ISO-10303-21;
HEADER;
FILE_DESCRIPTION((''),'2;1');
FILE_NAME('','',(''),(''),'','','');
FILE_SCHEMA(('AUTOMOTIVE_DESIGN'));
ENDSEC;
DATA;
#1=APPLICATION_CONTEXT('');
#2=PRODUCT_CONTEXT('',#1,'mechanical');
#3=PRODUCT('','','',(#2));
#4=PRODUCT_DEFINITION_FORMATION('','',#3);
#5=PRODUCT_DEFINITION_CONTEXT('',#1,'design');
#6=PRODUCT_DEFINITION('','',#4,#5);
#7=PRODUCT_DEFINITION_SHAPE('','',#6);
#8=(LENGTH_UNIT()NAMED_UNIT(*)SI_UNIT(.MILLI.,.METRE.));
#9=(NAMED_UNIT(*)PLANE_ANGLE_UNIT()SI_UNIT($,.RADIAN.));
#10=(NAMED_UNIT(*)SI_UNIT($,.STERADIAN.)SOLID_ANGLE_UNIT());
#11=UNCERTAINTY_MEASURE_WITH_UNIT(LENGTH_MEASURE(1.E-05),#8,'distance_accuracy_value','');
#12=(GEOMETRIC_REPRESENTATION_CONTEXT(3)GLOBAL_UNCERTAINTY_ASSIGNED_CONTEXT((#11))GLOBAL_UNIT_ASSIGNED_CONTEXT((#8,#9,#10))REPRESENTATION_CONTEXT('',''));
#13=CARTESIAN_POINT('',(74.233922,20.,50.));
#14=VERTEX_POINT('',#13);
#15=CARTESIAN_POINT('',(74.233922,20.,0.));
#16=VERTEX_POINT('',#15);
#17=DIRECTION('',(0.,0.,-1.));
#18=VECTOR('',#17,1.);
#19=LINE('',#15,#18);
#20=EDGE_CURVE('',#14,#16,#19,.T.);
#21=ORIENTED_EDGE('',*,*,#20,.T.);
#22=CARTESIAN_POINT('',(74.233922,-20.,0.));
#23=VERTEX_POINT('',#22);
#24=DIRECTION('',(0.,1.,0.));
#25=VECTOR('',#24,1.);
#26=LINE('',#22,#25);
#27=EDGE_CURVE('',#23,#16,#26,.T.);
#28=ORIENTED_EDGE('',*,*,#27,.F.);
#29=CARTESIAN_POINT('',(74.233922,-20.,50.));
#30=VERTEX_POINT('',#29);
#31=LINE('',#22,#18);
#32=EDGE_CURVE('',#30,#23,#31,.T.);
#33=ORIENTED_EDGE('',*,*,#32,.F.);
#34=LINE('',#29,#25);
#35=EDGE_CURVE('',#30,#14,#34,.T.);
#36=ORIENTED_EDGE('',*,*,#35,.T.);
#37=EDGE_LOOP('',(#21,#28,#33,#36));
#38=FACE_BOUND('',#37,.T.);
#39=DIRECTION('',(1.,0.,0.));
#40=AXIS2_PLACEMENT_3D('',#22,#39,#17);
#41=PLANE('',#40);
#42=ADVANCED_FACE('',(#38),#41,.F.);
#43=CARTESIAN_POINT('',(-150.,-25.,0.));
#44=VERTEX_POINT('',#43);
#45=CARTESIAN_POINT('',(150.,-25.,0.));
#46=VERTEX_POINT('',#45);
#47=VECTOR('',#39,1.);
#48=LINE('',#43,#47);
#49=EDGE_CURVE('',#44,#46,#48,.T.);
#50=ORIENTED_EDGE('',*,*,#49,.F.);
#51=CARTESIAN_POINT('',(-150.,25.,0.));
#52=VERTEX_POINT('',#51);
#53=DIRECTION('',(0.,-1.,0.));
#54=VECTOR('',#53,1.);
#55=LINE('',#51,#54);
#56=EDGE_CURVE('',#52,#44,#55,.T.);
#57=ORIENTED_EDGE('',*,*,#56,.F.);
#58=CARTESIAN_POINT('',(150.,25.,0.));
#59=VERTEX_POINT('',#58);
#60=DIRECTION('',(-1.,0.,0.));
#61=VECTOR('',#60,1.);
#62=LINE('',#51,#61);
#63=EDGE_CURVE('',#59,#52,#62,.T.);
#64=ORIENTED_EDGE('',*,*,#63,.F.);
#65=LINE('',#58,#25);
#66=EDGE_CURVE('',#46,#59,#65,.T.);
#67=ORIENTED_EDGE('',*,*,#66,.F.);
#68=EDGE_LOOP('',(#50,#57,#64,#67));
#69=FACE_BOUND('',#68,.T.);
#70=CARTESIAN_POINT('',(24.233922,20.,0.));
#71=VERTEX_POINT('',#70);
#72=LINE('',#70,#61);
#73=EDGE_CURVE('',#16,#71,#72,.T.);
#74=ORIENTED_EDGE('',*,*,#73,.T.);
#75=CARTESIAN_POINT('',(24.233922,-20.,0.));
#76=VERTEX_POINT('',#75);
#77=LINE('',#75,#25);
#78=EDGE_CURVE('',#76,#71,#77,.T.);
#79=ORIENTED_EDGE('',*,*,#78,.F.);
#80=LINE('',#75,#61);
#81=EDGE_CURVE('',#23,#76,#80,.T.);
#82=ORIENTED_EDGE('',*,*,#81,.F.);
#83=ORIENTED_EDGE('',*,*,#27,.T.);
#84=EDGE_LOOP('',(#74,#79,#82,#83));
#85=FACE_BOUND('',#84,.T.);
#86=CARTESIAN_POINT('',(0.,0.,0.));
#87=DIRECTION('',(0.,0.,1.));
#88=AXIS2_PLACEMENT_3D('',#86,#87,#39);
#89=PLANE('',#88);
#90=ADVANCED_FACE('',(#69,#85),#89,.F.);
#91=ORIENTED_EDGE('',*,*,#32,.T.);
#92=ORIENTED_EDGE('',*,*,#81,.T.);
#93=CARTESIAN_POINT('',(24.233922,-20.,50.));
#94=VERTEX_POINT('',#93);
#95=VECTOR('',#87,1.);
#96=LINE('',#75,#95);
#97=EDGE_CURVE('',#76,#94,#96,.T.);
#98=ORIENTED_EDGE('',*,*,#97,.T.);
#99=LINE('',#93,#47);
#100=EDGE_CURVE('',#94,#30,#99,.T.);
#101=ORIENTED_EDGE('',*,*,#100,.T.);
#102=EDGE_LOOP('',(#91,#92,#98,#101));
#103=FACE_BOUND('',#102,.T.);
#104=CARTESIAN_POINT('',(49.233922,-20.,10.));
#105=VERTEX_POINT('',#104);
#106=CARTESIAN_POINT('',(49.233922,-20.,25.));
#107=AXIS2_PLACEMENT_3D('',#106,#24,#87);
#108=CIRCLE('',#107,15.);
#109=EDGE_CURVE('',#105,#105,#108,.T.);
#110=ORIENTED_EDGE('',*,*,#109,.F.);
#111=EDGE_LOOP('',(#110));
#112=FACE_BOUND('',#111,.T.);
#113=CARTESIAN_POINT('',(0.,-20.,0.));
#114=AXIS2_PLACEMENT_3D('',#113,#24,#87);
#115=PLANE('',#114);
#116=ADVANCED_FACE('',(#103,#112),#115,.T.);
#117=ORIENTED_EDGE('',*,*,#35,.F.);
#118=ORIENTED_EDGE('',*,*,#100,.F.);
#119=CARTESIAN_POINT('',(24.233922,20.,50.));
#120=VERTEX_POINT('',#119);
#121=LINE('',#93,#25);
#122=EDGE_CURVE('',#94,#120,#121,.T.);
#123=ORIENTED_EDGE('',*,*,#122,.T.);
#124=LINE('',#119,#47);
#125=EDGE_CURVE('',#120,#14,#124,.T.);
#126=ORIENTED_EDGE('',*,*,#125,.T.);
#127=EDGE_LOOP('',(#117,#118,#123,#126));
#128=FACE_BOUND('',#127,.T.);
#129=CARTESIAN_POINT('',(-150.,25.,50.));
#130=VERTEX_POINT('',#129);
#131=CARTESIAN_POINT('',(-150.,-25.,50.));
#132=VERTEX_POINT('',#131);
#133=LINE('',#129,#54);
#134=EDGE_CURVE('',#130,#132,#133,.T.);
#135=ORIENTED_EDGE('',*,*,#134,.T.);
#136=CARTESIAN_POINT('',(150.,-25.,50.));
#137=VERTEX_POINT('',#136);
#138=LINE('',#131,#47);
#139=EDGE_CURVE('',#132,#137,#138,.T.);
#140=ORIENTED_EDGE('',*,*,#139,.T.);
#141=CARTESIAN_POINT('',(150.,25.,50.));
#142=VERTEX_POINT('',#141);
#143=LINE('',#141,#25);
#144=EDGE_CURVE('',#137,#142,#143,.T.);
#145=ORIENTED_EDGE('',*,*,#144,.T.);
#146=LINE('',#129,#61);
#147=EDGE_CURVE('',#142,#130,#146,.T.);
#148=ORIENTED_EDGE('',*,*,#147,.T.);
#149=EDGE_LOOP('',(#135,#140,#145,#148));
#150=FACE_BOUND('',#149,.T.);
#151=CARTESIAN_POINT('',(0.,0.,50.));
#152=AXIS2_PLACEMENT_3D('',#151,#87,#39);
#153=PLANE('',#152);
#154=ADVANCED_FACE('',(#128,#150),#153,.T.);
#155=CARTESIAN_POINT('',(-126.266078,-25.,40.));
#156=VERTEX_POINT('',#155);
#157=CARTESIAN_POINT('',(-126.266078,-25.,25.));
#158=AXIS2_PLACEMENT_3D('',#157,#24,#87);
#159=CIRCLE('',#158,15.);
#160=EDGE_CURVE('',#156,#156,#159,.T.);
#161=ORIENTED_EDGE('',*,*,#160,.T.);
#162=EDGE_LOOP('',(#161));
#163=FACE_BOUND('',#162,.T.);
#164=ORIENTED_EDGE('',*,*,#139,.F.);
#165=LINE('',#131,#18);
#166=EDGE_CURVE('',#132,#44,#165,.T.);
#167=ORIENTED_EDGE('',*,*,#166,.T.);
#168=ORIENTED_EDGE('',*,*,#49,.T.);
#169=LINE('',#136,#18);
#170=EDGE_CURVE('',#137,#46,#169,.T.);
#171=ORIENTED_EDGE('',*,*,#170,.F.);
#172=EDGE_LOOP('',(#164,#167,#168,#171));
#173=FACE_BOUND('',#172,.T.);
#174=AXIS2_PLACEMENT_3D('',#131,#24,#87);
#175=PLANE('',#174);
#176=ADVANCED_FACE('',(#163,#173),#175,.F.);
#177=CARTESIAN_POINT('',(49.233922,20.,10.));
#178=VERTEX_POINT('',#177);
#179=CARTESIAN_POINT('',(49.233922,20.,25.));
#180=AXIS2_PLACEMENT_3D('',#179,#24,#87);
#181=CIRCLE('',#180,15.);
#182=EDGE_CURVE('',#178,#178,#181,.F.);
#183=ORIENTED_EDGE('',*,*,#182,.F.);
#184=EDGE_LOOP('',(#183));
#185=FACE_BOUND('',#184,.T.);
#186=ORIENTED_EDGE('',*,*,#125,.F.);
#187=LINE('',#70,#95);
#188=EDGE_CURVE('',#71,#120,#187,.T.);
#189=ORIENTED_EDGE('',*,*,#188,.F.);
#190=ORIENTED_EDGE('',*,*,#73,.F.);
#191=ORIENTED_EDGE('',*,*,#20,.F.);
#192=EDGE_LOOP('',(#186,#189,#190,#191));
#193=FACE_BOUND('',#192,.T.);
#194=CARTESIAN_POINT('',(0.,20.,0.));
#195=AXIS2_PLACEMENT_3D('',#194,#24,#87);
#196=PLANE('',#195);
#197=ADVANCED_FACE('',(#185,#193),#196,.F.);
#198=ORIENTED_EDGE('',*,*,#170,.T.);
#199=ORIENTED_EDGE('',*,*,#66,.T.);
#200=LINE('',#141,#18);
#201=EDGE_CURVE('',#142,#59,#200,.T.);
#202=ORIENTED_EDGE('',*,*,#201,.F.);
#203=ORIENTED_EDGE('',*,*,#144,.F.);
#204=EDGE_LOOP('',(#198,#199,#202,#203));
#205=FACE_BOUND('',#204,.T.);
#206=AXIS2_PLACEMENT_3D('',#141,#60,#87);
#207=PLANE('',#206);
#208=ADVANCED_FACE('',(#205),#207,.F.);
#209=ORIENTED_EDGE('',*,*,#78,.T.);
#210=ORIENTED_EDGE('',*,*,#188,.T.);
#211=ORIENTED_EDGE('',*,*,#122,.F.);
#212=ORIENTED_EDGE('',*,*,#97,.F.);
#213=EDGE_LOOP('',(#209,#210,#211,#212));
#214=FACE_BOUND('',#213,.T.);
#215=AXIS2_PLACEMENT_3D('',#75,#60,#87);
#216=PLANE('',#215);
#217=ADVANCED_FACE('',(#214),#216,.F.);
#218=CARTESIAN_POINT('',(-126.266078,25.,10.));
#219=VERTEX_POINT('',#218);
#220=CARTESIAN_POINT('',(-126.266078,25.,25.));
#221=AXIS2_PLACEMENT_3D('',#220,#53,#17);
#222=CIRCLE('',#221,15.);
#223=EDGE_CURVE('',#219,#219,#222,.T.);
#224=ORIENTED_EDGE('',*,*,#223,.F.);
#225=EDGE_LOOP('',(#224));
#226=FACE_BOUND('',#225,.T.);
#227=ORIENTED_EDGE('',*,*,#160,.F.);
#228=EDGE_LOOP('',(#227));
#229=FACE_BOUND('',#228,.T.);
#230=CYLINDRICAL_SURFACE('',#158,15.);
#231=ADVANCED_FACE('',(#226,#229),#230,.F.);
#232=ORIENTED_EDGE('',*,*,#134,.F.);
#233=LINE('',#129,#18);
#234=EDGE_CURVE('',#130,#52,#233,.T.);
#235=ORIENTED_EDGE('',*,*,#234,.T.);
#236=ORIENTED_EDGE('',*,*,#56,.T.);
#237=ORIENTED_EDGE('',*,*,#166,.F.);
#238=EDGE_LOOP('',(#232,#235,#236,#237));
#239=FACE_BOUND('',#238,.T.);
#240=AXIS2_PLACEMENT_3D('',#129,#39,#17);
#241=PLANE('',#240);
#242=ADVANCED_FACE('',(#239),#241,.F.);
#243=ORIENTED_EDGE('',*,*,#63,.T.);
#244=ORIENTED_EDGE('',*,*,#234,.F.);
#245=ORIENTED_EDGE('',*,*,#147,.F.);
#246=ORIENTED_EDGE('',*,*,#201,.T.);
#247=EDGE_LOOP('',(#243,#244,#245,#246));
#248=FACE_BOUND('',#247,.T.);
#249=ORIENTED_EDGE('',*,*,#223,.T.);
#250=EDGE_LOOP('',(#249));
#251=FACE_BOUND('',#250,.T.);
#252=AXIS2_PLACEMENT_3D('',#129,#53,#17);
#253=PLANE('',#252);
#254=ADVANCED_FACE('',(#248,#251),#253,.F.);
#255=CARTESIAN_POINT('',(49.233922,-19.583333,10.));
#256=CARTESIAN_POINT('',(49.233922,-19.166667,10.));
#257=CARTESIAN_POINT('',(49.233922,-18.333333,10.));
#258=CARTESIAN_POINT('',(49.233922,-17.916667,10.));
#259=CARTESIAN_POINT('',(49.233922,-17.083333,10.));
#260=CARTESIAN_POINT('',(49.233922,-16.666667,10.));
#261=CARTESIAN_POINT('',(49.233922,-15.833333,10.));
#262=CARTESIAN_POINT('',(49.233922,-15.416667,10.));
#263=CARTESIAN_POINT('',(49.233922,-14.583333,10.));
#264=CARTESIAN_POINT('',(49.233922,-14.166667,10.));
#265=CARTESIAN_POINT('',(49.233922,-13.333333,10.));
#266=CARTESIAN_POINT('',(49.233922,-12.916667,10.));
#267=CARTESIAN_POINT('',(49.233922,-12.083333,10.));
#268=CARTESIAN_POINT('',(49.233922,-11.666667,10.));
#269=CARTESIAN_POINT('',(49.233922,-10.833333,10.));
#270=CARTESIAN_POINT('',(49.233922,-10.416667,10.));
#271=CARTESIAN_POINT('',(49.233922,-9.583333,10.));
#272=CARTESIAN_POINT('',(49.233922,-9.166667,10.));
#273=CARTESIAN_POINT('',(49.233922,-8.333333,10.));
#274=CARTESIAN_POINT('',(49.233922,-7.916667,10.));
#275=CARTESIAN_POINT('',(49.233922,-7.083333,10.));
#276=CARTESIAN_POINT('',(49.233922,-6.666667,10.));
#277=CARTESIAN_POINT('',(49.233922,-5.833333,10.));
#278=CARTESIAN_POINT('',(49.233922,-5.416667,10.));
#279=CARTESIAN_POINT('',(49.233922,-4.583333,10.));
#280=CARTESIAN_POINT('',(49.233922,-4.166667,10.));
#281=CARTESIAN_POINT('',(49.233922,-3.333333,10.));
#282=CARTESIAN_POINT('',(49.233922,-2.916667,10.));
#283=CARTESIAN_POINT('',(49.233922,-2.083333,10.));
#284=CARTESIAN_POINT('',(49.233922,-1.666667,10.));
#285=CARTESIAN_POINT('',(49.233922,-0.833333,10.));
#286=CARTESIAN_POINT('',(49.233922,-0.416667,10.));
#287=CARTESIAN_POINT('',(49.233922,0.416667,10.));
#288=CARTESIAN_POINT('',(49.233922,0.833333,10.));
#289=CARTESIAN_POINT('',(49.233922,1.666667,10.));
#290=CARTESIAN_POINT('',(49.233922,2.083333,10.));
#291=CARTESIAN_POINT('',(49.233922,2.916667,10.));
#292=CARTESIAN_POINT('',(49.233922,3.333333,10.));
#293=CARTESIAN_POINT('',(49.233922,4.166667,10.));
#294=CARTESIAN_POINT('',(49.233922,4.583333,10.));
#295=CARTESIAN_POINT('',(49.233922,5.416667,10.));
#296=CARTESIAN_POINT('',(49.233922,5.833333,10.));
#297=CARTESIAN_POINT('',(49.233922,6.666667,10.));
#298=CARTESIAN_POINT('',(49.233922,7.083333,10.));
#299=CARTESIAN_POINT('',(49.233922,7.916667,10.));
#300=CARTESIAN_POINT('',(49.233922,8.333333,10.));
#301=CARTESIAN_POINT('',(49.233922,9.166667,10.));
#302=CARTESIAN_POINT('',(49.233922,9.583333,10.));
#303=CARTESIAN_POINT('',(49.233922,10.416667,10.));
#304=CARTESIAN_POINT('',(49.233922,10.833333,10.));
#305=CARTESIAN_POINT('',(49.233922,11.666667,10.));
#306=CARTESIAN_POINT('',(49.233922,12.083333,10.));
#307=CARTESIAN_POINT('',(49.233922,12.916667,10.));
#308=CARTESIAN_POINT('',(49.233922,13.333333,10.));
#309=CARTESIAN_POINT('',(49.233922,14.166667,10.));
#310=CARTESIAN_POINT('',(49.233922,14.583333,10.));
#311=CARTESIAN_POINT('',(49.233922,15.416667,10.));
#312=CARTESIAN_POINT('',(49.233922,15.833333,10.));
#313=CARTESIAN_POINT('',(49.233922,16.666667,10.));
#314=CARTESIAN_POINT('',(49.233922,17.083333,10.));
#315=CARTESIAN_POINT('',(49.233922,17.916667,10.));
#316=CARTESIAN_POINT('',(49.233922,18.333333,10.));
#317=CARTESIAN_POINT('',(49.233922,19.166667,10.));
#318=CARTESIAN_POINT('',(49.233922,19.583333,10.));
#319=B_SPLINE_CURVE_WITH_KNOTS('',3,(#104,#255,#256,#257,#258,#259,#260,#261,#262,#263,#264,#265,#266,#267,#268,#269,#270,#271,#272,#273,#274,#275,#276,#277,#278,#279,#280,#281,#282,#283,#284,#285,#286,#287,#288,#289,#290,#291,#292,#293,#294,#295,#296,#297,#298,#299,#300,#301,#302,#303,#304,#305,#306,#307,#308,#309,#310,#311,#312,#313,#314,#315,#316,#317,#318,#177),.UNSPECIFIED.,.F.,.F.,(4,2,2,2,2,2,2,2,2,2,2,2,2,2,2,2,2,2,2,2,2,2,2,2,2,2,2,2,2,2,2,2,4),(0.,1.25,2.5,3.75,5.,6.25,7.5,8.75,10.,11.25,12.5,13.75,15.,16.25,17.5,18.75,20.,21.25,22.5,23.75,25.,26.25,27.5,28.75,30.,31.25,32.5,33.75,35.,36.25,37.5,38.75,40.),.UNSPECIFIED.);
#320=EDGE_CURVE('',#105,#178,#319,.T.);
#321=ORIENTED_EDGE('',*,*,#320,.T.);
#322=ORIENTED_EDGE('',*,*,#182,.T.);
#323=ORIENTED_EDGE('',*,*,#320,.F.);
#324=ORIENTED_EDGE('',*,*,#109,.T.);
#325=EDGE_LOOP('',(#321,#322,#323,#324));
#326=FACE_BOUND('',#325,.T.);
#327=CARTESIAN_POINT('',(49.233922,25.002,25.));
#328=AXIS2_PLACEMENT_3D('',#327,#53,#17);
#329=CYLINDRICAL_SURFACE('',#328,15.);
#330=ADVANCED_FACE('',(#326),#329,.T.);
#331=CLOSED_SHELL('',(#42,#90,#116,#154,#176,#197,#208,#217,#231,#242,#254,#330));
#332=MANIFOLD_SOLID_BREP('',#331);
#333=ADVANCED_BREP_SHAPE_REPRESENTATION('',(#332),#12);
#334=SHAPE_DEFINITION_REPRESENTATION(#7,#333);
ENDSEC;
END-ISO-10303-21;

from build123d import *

# Parameters (mm, degrees)
SKETCH1_W               = 300
SKETCH1_H               = 50
BOSS_EXTRUDE1_DEPTH     = 50
CUT_EXTRUDE1_DEPTH      = 166.831239518
CUT_EXTRUDE1_DEPTH_BACK = 166.831239518
SKETCH2_R               = 15
CUT_EXTRUDE2_START      = -5
SKETCH3_W               = 50
SKETCH3_H               = 50
CUT_EXTRUDE2_DEPTH      = 40
BOSS_EXTRUDE2_REACH     = 166.393
SKETCH4_R               = 15


with BuildPart() as part:
    # Sketch1 → Boss-Extrude1 (new body)
    with BuildSketch(Plane.XY):
        Rectangle(SKETCH1_W, SKETCH1_H)
    extrude(amount=BOSS_EXTRUDE1_DEPTH)

    # Sketch2 → Cut-Extrude1 (cut, two sides: drawn at the far end of the back side and taken through both)
    with BuildSketch(Plane(origin=(0, 25, 0), x_dir=(1, 0, 0), z_dir=(0, 1, 0)).offset(-CUT_EXTRUDE1_DEPTH_BACK)):
        with Locations(Location((-126.266078419, -25, 0), (0, 0, 270))):
            Circle(SKETCH2_R)
    extrude(amount=CUT_EXTRUDE1_DEPTH + CUT_EXTRUDE1_DEPTH_BACK, mode=Mode.SUBTRACT)

    # Sketch3 → Cut-Extrude2 (cut)
    with BuildSketch(Plane(origin=(0, 25, 0), x_dir=(1, 0, 0), z_dir=(0, 1, 0)).offset(CUT_EXTRUDE2_START)):
        with Locations((49.233921581, -25)):
            Rectangle(SKETCH3_W, SKETCH3_H)
    extrude(amount=-CUT_EXTRUDE2_DEPTH, mode=Mode.SUBTRACT)

    # Sketch4 → Boss-Extrude2 (add, up to next)
    with BuildSketch(Plane(origin=(0, -20, 0), x_dir=(1, 0, 0), z_dir=(0, 1, 0)), mode=Mode.PRIVATE) as boss_extrude2_sk1:
        with Locations(Location((49.233921581, -25, 0), (0, 0, 90))):
            Circle(SKETCH4_R)
    boss_extrude2_tool1 = extrude(boss_extrude2_sk1.sketch, amount=BOSS_EXTRUDE2_REACH, mode=Mode.PRIVATE) - part.part
    add(boss_extrude2_tool1.solids().sort_by_distance((49.233922, -20, 25))[0])


solid = part.part
